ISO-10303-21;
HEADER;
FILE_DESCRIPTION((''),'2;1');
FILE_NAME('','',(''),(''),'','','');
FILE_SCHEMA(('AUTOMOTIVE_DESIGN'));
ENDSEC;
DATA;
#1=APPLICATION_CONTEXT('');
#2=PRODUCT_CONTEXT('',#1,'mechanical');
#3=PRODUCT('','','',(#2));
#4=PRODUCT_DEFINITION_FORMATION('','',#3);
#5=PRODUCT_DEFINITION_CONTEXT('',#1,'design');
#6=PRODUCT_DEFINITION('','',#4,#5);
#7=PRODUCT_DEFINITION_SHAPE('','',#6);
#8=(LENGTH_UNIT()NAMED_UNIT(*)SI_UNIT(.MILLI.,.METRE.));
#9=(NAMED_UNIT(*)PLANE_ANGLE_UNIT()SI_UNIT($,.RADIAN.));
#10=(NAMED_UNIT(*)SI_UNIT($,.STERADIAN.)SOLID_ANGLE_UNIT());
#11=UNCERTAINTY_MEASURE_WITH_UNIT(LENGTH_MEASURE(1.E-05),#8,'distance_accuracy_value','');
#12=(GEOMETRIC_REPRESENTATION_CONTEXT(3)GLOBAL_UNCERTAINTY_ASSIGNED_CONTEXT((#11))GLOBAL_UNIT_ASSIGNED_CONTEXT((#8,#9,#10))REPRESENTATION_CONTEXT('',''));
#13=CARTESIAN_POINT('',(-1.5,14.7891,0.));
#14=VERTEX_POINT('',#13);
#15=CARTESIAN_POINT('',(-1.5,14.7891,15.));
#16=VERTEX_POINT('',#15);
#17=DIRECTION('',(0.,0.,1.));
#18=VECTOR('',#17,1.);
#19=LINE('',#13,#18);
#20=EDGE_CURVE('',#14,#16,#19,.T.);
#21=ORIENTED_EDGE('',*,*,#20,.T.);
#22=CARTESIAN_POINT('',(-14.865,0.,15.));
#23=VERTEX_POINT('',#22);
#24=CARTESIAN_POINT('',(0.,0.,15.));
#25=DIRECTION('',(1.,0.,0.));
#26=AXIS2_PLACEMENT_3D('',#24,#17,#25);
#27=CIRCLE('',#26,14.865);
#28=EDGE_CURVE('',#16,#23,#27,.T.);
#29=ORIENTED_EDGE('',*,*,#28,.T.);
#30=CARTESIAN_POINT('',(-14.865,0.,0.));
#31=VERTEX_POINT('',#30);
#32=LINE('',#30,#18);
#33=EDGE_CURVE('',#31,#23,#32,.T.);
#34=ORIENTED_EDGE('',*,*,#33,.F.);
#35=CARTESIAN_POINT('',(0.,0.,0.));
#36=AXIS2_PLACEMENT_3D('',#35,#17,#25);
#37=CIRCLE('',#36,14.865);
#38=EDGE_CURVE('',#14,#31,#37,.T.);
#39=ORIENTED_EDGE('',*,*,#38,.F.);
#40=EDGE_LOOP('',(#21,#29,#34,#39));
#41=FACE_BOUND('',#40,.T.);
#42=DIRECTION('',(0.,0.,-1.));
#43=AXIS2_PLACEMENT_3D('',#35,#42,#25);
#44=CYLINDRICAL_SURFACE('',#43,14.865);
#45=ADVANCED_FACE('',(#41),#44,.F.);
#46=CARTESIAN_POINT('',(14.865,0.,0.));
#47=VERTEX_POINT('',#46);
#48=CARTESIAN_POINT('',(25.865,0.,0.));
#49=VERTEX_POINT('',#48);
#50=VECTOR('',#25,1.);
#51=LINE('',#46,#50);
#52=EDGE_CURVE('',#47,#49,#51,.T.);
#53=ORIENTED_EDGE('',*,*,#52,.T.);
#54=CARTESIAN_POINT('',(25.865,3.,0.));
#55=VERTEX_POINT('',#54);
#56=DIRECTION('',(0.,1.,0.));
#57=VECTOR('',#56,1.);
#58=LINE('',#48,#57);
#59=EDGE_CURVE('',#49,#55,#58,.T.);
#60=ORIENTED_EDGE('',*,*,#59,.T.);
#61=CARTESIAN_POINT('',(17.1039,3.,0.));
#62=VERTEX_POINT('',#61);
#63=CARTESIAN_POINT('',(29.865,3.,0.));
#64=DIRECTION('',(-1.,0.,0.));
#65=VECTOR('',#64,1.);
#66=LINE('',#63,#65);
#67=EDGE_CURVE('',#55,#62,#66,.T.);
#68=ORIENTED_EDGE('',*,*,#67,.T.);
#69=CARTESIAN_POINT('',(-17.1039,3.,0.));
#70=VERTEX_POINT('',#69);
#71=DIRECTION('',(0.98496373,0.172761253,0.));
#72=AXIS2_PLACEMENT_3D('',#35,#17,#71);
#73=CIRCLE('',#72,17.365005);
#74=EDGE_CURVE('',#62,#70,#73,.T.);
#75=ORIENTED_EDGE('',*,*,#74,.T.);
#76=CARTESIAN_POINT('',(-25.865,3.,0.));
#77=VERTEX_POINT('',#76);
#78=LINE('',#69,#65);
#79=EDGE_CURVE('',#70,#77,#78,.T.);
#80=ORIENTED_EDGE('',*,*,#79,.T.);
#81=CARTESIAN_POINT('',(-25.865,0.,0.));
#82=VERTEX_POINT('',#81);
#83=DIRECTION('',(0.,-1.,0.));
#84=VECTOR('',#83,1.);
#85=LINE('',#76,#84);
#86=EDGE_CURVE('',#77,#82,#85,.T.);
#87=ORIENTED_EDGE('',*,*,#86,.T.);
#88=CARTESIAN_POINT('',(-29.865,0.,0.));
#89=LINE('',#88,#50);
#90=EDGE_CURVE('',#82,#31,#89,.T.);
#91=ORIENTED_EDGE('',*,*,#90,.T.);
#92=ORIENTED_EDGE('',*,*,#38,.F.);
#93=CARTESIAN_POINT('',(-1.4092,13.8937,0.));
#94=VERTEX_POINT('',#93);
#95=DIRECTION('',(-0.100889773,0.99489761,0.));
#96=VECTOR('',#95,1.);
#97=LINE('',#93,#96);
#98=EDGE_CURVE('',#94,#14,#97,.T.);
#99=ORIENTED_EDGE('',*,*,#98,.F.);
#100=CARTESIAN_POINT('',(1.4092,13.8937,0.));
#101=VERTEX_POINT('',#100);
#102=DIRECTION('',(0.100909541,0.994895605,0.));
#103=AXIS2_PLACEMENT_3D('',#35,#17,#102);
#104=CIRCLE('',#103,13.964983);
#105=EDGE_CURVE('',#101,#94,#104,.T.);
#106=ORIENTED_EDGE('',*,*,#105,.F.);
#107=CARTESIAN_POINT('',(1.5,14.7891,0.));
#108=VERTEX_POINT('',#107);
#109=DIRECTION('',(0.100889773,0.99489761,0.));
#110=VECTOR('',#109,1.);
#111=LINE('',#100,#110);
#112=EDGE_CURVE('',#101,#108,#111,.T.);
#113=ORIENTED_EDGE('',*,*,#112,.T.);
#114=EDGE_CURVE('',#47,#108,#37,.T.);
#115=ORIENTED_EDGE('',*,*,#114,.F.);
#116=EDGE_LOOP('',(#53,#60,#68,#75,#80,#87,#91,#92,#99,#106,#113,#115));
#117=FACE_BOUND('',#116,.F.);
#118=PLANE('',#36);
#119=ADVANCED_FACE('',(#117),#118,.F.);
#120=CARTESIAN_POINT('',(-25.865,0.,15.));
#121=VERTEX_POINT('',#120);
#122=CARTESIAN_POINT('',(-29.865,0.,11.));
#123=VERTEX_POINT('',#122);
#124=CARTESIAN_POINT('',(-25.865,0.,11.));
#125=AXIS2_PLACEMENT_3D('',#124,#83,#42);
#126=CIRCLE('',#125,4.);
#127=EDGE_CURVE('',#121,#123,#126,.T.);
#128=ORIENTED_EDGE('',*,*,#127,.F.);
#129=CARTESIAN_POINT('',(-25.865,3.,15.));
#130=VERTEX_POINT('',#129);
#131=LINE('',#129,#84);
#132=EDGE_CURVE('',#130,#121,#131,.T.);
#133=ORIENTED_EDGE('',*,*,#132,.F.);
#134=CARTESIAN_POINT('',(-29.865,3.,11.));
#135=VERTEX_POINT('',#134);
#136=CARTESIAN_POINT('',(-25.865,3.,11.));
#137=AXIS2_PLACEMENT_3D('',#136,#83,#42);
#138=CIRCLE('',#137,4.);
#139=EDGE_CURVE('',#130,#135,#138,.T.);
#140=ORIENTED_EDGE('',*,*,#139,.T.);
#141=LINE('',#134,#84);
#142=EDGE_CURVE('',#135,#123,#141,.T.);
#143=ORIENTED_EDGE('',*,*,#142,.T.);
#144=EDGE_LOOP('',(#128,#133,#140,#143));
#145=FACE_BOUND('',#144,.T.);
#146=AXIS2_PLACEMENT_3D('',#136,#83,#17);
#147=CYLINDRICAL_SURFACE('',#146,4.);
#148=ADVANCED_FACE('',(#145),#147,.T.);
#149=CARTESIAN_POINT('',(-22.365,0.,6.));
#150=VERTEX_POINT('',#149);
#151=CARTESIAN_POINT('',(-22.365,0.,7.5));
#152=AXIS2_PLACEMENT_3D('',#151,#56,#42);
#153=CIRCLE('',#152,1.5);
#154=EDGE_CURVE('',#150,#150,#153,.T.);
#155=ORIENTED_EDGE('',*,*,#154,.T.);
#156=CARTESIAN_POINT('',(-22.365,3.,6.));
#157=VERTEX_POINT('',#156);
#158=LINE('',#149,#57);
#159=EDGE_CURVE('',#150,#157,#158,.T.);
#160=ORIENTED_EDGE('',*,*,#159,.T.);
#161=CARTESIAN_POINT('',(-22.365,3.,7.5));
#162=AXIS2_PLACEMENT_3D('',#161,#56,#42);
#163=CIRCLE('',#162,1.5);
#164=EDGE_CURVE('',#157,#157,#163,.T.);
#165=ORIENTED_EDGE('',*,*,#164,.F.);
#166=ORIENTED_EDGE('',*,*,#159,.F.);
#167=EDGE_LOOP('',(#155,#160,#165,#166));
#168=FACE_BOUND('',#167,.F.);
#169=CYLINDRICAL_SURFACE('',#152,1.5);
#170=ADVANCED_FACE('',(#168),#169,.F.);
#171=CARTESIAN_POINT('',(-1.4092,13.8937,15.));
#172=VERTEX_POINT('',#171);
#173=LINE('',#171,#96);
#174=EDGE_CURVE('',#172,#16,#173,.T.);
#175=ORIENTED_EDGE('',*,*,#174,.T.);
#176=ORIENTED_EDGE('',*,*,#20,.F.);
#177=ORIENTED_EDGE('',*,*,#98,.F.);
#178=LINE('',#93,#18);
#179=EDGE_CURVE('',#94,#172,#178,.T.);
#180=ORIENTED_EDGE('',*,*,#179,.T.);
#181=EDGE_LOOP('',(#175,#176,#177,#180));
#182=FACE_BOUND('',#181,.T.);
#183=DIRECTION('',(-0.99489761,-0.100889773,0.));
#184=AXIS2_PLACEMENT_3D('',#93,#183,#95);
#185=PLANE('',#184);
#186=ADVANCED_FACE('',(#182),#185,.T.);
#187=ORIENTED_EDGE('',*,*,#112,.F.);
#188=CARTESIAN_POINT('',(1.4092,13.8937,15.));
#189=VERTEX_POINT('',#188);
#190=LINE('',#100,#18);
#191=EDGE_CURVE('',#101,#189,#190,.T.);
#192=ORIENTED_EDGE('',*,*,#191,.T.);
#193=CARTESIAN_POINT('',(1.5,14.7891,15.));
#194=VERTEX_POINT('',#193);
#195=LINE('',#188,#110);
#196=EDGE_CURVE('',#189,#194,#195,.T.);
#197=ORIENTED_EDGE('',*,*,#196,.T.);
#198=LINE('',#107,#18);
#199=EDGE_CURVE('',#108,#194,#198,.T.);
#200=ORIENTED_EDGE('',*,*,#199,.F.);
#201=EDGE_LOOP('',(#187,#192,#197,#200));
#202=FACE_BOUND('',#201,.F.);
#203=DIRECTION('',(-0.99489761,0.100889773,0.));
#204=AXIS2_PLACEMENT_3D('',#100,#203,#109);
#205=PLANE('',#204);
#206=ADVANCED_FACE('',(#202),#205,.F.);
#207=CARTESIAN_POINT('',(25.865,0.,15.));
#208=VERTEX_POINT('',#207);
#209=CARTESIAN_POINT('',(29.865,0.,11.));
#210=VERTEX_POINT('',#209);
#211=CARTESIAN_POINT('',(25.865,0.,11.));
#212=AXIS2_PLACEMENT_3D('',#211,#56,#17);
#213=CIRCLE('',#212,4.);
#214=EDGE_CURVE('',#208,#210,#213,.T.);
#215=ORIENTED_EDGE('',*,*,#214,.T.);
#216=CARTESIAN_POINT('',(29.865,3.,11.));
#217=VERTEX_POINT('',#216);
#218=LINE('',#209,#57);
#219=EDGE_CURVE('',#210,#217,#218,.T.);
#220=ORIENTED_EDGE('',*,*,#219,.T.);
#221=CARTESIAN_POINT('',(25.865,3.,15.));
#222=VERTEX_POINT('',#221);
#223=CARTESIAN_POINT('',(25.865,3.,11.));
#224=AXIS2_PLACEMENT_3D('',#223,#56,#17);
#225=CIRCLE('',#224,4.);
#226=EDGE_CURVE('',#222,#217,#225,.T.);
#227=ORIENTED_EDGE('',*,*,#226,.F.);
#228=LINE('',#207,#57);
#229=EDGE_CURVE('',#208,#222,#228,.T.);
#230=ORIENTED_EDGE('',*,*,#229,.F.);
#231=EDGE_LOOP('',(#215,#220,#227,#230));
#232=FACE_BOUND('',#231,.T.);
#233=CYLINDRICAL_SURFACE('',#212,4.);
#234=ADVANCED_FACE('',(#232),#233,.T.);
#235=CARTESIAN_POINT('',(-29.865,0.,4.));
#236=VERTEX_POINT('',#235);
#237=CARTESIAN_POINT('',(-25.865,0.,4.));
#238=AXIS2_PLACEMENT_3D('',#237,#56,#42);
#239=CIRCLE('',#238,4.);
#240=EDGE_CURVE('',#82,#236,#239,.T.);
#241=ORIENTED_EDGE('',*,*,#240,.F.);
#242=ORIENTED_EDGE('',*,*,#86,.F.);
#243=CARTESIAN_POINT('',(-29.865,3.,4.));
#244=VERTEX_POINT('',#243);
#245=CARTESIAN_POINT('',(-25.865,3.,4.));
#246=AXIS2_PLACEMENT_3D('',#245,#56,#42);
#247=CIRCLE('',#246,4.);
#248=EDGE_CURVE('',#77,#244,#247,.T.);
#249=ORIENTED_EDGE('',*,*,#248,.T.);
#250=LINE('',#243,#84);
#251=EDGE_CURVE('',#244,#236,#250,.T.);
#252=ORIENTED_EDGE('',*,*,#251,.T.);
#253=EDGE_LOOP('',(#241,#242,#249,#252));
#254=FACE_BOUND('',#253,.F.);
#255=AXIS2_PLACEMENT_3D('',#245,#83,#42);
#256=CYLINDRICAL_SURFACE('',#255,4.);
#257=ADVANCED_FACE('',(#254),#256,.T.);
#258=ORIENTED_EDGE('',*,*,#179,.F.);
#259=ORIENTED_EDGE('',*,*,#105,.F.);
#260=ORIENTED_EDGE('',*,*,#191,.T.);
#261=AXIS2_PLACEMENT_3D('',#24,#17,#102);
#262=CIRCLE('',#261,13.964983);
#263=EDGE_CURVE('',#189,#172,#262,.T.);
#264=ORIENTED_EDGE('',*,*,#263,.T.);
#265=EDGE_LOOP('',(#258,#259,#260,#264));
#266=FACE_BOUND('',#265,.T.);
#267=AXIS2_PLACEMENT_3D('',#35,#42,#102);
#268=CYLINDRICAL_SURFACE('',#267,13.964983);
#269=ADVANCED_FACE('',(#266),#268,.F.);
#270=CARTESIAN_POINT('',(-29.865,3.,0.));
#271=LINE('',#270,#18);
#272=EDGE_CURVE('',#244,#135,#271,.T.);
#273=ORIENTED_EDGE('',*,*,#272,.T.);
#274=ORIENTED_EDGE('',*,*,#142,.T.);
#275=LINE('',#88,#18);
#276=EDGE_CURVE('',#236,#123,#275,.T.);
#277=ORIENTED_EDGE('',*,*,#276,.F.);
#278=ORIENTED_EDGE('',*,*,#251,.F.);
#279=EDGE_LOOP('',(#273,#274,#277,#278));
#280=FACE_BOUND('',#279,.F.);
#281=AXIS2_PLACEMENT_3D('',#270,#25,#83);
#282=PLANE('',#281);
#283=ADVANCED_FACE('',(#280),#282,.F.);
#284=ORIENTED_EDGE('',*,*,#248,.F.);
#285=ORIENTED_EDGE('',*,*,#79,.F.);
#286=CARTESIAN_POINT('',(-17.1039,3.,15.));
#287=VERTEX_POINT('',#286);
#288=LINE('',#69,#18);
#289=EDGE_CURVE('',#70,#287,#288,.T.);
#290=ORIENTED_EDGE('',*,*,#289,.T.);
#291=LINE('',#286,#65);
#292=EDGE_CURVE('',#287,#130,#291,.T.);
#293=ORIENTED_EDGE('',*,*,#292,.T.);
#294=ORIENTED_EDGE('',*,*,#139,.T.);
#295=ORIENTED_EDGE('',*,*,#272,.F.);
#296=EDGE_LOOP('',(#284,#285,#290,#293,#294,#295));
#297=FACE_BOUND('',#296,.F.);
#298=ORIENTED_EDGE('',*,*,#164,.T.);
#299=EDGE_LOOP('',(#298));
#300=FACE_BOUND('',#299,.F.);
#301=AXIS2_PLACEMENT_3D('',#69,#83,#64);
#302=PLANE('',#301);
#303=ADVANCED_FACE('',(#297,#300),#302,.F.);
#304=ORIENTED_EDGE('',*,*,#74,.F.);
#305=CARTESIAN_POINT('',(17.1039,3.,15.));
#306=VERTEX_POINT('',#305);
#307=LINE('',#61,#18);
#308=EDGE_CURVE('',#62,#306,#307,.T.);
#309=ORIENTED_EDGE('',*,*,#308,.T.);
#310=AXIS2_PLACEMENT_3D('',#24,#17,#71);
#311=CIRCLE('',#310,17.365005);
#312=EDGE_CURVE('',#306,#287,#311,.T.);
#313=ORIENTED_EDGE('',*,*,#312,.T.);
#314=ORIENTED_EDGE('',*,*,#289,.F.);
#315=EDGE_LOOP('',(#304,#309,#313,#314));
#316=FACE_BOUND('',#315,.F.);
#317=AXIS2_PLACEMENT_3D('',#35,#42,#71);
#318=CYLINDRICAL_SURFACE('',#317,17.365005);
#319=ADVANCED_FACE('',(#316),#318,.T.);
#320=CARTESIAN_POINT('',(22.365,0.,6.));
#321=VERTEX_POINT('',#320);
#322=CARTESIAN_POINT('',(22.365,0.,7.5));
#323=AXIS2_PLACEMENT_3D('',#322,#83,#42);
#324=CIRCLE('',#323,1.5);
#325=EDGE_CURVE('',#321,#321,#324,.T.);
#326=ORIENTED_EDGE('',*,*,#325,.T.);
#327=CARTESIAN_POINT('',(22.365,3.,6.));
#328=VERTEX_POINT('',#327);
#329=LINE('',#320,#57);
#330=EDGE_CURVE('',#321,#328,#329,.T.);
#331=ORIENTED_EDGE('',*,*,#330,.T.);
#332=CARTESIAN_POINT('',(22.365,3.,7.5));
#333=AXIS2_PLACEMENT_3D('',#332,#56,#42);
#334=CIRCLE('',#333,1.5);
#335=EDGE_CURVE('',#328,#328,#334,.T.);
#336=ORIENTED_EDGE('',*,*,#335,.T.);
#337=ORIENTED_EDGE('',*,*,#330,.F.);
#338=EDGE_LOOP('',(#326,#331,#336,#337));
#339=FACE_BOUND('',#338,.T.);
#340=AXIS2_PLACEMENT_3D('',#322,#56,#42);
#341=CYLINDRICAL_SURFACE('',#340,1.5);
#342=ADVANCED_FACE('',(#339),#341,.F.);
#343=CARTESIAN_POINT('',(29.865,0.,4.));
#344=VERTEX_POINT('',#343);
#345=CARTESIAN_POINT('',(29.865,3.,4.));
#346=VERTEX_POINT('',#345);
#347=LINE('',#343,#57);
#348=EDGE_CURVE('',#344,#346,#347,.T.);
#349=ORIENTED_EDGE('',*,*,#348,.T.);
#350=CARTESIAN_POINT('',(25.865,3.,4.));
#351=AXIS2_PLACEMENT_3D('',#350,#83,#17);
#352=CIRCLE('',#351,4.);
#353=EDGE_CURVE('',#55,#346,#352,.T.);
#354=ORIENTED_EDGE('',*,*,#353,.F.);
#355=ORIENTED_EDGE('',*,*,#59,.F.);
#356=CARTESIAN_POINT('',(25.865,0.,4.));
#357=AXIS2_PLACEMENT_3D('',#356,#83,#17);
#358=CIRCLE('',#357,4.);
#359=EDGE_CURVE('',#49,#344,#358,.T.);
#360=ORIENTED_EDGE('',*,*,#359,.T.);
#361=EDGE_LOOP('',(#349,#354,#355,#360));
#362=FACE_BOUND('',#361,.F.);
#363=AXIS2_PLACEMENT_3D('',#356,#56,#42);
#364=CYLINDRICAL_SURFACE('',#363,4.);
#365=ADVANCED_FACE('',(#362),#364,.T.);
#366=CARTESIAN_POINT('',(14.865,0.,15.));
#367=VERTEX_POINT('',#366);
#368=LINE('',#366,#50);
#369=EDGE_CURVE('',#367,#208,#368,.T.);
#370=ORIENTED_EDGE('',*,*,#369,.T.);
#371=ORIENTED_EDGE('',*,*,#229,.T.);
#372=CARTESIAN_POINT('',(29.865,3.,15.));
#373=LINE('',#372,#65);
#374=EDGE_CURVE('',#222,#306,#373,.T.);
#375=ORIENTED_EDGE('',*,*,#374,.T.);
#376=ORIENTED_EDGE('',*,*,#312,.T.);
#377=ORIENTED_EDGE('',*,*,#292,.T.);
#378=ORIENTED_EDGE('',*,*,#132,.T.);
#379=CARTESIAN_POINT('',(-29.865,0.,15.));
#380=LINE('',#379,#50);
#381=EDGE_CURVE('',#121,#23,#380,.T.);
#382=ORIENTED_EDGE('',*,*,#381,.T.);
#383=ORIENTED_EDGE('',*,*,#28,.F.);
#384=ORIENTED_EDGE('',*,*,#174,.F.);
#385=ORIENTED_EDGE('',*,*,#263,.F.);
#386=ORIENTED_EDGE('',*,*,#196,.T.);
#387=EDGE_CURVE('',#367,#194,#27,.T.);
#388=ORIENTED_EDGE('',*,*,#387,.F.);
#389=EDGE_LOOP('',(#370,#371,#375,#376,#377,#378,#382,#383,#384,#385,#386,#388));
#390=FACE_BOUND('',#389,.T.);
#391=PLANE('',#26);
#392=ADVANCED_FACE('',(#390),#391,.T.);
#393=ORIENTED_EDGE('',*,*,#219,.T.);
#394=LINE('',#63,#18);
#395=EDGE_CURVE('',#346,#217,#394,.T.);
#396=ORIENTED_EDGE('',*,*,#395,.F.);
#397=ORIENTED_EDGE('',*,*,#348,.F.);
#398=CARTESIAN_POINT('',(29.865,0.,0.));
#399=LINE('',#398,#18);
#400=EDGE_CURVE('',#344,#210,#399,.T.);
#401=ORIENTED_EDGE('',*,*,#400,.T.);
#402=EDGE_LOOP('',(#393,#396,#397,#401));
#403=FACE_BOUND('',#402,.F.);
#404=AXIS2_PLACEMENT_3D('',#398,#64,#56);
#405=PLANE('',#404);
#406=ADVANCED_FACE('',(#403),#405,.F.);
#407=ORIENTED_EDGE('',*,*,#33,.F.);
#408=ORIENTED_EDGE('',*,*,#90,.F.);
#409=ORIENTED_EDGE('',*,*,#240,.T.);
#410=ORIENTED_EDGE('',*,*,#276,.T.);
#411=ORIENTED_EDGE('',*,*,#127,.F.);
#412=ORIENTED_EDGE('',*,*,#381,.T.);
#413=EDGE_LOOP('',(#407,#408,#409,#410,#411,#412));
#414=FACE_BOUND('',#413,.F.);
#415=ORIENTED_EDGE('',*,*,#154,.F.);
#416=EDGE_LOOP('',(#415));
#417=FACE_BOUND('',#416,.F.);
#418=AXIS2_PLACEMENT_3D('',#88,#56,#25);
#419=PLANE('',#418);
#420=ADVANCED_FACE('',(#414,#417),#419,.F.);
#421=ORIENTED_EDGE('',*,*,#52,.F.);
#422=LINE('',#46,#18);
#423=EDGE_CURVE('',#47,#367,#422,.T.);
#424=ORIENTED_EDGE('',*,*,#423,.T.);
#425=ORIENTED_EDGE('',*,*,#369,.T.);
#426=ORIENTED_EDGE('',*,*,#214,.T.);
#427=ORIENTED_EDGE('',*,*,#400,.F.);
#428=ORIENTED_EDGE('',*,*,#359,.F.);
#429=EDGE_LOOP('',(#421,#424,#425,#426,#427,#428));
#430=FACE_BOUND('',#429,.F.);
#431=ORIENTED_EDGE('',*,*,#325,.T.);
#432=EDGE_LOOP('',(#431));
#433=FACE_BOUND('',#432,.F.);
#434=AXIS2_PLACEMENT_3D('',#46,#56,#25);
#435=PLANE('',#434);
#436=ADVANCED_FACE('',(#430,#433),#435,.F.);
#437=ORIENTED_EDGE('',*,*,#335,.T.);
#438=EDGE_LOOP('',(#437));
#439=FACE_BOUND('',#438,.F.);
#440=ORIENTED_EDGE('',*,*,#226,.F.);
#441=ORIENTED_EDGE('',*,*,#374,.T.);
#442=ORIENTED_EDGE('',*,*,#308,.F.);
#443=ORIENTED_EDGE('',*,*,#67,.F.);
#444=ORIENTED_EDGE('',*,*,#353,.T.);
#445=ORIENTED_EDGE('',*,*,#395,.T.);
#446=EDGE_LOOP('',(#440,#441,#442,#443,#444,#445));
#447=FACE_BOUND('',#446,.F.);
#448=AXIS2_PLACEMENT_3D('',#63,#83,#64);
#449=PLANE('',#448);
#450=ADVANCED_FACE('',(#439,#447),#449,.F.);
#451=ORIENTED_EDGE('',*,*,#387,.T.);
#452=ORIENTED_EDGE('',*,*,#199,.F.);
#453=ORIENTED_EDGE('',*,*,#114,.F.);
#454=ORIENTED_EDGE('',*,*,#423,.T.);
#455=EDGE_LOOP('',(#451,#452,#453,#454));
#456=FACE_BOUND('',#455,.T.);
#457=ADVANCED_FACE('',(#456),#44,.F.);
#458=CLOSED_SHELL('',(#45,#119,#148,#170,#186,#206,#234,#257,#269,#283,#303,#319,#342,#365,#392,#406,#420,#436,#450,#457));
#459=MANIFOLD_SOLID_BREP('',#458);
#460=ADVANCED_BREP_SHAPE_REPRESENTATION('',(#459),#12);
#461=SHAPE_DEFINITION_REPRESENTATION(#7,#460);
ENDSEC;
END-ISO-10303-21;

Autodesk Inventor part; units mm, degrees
ref_plane "YZ Plane" through (0, 0, 0) normal (1, 0, 0) x (0, 1, 0)
ref_plane "XZ Plane" through (0, 0, 0) normal (0, 1, 0) x (-1, 0, 0)
ref_plane "XY Plane" through (0, 0, 0) normal (0, 0, 1) x (1, 0, 0)
sketch "Sketch1" plane through (0, 0, 0) normal (0, 0, 1) x (1, 0, 0)
  arc A0 (14.865, 0) -> (-14.865, 0) centre (0, 0) ccw
  arc A1 (17.1039, 3) -> (-17.1039, 3) centre (0, 0) ccw
  line L0 (-17.1039, 3) -> (-29.865, 3)
  line L1 (-29.865, 3) -> (-29.865, 0)
  line L2 (-29.865, 0) -> (-14.865, 0)
  line L3 (14.865, 0) -> (29.865, 0)
  line L4 (29.865, 0) -> (29.865, 3)
  line L5 (29.865, 3) -> (17.1039, 3)
  arc A2 (1.4092, 13.8937) -> (-1.4092, 13.8937) centre (0, 0) ccw
  line L6 (-1.4092, 13.8937) -> (-1.5, 14.7891)
  line L7 (1.4092, 13.8937) -> (1.5, 14.7891)
  point P0 (0, 13.965)
  dimension "d0" = 3
  dimension "d1" = 14.865
  dimension "d3" = 2.5
  dimension "d8" = 15
  dimension "d17" = 0.9
  dimension "d18" = 3
extrude "Extrusion1" add sketch "Sketch1" along normal blind 15
sketch "Sketch2" plane through (-29.865, 0, 0) normal (0, -1, 0) x (1, 0, 0)
  line L0 (0, 15) -> (15, 15) projected
  line L1 (0, 0) -> (0, 15) projected
  point P0 (29.865, 0)
  point P1 (7.5, 7.5)
  point P2 (7.5, 15)
  point P3 (0, 7.5)
hole "Hole1" at (-22.365, 0, 7.5) direction (0, 1, 0) diameter 3 end through all
mirror "Mirror1" about plane through (0, 0, 0) normal (1, 0, 0) of "Hole1"
fillet "Fillet1" radius 4 4 edges at (-29.865, 1.5, 0) (-29.865, 1.5, 15) (29.865, 1.5, 15) (29.865, 1.5, 0)
properties part number "Motor Mount C-Clamp Top"
